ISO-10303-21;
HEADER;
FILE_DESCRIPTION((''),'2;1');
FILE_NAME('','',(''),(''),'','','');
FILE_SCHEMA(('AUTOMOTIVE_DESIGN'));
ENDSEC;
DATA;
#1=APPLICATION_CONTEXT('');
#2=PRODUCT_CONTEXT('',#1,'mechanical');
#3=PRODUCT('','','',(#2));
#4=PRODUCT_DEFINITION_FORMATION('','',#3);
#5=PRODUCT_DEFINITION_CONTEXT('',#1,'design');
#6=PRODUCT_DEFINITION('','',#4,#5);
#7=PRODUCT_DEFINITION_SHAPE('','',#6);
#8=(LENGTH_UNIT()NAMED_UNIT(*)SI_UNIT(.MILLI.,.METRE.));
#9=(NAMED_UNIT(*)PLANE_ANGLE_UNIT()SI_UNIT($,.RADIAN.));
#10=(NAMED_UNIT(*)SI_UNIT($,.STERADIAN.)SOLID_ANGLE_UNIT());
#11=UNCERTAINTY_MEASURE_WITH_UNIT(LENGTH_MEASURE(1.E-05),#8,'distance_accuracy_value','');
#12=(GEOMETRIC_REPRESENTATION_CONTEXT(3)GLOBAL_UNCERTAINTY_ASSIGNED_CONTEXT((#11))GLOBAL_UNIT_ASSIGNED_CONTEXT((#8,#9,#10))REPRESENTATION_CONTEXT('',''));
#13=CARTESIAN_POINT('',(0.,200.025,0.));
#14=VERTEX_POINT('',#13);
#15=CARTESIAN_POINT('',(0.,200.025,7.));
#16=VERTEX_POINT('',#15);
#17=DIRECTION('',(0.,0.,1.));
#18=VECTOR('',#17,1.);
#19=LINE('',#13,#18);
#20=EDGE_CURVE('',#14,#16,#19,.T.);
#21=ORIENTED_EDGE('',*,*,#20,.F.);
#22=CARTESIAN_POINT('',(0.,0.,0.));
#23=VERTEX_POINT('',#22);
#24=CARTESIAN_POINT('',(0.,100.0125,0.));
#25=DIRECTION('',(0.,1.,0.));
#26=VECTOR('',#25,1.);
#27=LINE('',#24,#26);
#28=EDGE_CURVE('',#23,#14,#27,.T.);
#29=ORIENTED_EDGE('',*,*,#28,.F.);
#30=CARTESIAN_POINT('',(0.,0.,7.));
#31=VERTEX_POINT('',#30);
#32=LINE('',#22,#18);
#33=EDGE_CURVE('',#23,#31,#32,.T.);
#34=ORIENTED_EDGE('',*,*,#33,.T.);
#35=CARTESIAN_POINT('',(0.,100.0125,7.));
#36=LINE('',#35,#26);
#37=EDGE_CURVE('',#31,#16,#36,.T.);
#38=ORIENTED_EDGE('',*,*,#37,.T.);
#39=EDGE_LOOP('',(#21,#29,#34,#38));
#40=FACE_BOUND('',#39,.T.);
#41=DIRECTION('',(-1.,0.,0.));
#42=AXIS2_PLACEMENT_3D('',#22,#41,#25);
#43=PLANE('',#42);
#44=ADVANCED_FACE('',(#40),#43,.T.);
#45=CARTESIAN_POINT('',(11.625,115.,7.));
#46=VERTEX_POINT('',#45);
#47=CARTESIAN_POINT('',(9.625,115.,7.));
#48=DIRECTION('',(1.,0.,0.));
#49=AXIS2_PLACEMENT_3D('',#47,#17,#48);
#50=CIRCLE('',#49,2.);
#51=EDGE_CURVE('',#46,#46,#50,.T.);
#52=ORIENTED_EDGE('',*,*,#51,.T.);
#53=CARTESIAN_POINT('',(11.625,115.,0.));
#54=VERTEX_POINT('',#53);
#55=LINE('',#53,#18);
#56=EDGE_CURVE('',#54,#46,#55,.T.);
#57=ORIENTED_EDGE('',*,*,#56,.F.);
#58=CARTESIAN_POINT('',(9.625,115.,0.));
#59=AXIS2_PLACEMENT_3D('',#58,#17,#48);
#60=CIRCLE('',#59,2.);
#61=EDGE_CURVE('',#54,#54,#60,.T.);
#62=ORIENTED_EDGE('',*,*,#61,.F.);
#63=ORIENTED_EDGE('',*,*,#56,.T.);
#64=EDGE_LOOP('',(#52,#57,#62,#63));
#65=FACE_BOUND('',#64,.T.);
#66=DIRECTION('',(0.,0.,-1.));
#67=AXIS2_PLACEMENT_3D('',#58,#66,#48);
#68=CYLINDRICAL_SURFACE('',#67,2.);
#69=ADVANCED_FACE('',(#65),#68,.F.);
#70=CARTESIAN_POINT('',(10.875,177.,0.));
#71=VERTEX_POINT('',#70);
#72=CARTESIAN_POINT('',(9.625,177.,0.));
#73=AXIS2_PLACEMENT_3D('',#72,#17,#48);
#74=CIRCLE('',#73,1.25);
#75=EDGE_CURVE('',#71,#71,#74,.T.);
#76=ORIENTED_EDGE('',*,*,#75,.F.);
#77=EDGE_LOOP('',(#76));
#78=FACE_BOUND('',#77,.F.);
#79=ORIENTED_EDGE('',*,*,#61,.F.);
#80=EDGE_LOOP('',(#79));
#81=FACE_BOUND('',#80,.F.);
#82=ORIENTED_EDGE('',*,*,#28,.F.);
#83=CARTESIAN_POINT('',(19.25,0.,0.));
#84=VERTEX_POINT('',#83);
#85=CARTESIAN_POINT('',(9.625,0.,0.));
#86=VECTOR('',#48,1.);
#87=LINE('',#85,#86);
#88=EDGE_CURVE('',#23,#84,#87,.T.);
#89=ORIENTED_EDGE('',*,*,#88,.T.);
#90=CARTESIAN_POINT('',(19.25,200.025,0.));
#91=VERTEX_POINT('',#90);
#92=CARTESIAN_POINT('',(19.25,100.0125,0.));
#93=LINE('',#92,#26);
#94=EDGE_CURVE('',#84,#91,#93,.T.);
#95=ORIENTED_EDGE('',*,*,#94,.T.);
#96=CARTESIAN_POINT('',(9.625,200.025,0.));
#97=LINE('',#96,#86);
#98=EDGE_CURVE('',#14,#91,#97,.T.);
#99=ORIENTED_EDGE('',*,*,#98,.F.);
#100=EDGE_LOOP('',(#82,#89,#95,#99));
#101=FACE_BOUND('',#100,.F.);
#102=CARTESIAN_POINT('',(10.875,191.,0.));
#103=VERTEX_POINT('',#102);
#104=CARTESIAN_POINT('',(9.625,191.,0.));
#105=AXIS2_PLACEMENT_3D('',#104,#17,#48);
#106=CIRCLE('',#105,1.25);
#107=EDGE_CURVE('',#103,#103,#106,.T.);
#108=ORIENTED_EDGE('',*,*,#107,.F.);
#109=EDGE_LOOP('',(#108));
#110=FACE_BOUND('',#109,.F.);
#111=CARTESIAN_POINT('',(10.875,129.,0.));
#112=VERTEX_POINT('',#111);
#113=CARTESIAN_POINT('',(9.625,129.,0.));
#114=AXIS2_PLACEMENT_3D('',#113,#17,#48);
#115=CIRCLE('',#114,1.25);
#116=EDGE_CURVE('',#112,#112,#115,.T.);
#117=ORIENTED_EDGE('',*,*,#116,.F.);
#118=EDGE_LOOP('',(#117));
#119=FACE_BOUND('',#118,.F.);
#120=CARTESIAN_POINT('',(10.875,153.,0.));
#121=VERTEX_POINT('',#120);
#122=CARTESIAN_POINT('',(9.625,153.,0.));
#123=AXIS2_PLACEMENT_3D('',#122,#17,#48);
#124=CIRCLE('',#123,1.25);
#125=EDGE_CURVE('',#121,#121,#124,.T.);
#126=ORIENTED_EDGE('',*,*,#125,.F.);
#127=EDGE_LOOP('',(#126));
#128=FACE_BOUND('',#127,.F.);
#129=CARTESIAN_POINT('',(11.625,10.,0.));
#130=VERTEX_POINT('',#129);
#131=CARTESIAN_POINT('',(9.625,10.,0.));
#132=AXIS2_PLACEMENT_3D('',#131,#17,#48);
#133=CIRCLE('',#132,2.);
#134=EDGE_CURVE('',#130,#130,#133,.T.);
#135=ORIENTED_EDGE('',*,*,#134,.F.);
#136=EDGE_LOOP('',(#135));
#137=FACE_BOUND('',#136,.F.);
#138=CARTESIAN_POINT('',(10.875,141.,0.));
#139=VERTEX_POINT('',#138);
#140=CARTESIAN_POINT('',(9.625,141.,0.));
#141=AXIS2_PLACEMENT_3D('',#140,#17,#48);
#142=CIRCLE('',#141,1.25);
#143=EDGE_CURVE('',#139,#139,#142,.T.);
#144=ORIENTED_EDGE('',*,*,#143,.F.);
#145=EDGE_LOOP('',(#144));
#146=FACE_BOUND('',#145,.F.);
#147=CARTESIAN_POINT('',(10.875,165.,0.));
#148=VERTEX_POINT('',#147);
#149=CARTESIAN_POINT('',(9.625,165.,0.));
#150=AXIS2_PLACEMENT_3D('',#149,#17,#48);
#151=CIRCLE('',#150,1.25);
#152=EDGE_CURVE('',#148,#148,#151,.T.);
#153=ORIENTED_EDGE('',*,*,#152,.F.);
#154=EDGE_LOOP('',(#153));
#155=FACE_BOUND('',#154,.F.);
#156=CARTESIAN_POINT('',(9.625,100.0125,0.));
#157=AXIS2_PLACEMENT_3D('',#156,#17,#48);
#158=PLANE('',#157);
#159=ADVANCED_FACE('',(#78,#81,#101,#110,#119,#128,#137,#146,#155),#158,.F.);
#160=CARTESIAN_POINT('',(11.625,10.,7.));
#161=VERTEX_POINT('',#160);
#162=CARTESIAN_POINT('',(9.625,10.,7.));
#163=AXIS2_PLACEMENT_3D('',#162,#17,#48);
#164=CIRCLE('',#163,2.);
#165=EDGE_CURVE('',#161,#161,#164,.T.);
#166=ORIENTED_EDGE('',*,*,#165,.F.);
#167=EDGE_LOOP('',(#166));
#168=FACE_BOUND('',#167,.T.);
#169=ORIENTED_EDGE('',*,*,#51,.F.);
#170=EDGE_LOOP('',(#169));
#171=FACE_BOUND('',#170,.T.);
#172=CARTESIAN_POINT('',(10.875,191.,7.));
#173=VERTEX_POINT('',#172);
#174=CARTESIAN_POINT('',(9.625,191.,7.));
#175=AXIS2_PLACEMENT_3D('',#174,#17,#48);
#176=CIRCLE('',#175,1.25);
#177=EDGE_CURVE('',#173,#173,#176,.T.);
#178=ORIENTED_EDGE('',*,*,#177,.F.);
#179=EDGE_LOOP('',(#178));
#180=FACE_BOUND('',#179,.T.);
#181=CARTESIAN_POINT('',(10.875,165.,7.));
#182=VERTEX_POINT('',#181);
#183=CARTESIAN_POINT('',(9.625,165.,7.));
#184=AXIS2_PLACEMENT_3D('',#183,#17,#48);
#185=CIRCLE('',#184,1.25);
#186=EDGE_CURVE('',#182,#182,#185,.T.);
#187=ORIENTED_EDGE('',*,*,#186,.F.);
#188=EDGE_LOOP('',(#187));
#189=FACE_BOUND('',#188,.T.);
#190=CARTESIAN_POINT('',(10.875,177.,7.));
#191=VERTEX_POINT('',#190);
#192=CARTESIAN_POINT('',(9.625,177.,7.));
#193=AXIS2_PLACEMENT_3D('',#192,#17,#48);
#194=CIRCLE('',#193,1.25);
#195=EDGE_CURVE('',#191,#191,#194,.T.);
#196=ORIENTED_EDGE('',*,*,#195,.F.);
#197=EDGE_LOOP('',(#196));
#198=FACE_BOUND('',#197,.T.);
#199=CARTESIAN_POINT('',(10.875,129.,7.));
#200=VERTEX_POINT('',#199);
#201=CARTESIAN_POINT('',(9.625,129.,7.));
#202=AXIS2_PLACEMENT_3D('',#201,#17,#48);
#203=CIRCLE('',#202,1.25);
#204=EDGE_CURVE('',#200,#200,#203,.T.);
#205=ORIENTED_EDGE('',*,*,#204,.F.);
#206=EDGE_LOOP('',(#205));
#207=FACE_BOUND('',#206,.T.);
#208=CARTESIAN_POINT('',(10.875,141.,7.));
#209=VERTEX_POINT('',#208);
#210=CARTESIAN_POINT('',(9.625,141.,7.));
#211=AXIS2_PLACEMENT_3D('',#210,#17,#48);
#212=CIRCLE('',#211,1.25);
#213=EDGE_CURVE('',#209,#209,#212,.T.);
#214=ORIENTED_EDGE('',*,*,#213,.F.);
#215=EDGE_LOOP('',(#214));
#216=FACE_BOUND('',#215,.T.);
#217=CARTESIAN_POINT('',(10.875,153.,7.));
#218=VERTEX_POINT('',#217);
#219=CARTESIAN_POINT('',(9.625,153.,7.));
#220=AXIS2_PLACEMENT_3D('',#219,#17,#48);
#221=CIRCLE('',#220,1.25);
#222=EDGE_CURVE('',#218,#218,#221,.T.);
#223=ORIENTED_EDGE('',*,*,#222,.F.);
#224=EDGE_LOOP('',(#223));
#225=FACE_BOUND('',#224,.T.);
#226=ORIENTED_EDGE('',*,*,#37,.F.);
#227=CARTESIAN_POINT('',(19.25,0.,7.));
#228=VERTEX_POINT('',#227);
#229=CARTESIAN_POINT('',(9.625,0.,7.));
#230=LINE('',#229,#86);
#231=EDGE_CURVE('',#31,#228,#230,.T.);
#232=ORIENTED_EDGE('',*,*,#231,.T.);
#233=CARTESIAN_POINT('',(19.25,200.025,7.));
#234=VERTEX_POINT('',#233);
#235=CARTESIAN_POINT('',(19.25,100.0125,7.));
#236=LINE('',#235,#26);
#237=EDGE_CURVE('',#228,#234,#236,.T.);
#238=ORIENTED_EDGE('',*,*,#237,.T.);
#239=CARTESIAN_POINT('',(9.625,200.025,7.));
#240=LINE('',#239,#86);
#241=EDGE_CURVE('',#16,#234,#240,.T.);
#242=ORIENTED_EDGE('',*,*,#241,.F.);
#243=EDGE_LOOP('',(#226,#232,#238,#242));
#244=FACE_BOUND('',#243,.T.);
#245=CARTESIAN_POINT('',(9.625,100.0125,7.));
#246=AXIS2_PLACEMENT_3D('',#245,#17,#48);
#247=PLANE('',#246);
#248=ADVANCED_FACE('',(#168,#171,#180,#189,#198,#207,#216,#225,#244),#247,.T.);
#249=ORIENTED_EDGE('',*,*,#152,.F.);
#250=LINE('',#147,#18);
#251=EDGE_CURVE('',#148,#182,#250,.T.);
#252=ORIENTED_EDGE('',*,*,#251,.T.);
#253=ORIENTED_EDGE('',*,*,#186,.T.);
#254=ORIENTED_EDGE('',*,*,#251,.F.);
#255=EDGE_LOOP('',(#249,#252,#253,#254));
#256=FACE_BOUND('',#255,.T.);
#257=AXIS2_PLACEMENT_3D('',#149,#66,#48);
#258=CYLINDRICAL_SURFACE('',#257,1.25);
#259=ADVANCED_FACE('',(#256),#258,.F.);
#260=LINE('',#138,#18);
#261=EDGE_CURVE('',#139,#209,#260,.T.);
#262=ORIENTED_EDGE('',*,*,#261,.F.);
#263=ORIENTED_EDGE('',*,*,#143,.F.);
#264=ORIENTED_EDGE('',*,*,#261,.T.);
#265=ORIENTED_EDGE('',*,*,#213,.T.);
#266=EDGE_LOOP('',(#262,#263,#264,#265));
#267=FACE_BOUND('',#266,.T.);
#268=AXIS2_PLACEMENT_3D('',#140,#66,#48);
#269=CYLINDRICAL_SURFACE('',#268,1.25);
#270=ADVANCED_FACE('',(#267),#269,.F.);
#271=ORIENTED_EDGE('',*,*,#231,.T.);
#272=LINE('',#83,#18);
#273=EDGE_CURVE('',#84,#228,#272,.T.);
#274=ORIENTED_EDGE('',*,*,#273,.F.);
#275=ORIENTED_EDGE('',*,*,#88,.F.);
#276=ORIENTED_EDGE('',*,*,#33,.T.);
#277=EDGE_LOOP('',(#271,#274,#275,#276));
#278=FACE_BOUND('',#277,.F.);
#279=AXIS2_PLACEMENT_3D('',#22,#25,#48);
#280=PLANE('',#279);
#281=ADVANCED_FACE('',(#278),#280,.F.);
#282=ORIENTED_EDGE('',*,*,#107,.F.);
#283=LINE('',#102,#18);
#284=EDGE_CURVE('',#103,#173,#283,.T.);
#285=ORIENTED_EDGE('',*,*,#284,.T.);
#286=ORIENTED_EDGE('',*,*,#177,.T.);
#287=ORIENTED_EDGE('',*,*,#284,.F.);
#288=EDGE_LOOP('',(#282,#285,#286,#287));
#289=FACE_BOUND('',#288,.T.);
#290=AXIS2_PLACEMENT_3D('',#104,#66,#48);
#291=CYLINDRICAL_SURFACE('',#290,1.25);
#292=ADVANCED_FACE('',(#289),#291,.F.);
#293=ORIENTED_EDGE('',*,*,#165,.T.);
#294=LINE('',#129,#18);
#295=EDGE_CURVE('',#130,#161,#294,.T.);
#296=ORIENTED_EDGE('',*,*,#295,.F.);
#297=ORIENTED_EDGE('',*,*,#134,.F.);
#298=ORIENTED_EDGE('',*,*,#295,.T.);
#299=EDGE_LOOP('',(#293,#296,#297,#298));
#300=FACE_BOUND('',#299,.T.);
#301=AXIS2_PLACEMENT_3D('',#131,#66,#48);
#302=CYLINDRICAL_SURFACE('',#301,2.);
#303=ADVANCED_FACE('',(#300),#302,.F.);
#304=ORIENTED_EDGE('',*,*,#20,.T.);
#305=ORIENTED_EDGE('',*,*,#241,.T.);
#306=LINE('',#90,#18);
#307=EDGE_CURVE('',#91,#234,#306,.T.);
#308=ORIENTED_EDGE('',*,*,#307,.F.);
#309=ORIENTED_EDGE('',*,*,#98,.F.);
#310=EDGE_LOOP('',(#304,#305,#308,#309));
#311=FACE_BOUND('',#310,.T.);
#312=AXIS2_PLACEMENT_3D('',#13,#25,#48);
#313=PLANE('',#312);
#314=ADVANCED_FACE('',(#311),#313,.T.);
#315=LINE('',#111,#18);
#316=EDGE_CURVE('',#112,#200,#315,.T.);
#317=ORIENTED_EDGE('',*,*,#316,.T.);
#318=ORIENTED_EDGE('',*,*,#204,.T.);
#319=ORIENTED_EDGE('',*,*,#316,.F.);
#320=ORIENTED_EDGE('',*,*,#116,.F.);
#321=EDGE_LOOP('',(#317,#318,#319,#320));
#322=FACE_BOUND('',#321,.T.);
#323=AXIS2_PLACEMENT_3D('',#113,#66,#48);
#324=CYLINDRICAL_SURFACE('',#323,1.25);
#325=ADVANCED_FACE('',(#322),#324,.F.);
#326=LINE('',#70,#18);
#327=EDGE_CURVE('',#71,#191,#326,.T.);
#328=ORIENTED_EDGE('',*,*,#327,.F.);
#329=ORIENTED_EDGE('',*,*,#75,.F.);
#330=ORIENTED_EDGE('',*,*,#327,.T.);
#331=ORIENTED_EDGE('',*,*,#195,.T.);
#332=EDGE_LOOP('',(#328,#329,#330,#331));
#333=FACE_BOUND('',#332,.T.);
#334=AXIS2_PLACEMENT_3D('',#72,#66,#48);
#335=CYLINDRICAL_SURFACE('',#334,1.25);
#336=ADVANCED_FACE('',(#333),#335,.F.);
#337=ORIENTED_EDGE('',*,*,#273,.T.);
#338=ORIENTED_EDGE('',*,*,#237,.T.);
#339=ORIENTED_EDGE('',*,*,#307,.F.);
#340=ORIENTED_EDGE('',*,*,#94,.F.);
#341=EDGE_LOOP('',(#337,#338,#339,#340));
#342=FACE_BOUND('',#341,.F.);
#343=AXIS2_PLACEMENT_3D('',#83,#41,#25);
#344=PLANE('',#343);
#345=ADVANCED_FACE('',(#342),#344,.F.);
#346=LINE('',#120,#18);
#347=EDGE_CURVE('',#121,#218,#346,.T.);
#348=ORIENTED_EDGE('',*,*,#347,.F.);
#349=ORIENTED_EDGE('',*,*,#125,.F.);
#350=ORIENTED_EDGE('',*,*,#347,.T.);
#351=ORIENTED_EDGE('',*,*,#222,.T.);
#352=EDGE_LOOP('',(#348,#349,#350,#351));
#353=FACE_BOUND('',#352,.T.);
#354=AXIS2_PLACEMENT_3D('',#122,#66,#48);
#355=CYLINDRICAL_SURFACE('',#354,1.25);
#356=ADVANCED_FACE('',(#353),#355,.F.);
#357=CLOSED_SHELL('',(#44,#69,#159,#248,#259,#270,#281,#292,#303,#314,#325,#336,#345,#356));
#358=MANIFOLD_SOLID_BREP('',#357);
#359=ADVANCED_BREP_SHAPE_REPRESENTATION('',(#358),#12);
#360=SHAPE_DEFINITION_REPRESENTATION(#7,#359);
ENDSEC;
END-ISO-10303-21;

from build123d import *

# Parameters (mm, degrees)
F0_W     = 19.25
F0_H     = 200.025
F0_R     = 2
F0_R_2   = 1.25
F1_DEPTH = 7


with BuildPart() as f1:
    # F0 (on Top) → F1 (new body)
    with BuildSketch(Plane.XY):
        with Locations((9.625, 100.0125)):
            Rectangle(F0_W, F0_H)
        with Locations((9.625, 10)):
            Circle(F0_R, mode=Mode.SUBTRACT)
        with Locations((9.625, 115)):
            Circle(F0_R, mode=Mode.SUBTRACT)
        with Locations((9.625, 129)):
            Circle(F0_R_2, mode=Mode.SUBTRACT)
        with Locations((9.625, 141)):
            Circle(F0_R_2, mode=Mode.SUBTRACT)
        with Locations((9.625, 153)):
            Circle(F0_R_2, mode=Mode.SUBTRACT)
        with Locations((9.625, 165)):
            Circle(F0_R_2, mode=Mode.SUBTRACT)
        with Locations((9.625, 177)):
            Circle(F0_R_2, mode=Mode.SUBTRACT)
        with Locations((9.625, 191)):
            Circle(F0_R_2, mode=Mode.SUBTRACT)
    extrude(amount=F1_DEPTH)


solid = f1.part
